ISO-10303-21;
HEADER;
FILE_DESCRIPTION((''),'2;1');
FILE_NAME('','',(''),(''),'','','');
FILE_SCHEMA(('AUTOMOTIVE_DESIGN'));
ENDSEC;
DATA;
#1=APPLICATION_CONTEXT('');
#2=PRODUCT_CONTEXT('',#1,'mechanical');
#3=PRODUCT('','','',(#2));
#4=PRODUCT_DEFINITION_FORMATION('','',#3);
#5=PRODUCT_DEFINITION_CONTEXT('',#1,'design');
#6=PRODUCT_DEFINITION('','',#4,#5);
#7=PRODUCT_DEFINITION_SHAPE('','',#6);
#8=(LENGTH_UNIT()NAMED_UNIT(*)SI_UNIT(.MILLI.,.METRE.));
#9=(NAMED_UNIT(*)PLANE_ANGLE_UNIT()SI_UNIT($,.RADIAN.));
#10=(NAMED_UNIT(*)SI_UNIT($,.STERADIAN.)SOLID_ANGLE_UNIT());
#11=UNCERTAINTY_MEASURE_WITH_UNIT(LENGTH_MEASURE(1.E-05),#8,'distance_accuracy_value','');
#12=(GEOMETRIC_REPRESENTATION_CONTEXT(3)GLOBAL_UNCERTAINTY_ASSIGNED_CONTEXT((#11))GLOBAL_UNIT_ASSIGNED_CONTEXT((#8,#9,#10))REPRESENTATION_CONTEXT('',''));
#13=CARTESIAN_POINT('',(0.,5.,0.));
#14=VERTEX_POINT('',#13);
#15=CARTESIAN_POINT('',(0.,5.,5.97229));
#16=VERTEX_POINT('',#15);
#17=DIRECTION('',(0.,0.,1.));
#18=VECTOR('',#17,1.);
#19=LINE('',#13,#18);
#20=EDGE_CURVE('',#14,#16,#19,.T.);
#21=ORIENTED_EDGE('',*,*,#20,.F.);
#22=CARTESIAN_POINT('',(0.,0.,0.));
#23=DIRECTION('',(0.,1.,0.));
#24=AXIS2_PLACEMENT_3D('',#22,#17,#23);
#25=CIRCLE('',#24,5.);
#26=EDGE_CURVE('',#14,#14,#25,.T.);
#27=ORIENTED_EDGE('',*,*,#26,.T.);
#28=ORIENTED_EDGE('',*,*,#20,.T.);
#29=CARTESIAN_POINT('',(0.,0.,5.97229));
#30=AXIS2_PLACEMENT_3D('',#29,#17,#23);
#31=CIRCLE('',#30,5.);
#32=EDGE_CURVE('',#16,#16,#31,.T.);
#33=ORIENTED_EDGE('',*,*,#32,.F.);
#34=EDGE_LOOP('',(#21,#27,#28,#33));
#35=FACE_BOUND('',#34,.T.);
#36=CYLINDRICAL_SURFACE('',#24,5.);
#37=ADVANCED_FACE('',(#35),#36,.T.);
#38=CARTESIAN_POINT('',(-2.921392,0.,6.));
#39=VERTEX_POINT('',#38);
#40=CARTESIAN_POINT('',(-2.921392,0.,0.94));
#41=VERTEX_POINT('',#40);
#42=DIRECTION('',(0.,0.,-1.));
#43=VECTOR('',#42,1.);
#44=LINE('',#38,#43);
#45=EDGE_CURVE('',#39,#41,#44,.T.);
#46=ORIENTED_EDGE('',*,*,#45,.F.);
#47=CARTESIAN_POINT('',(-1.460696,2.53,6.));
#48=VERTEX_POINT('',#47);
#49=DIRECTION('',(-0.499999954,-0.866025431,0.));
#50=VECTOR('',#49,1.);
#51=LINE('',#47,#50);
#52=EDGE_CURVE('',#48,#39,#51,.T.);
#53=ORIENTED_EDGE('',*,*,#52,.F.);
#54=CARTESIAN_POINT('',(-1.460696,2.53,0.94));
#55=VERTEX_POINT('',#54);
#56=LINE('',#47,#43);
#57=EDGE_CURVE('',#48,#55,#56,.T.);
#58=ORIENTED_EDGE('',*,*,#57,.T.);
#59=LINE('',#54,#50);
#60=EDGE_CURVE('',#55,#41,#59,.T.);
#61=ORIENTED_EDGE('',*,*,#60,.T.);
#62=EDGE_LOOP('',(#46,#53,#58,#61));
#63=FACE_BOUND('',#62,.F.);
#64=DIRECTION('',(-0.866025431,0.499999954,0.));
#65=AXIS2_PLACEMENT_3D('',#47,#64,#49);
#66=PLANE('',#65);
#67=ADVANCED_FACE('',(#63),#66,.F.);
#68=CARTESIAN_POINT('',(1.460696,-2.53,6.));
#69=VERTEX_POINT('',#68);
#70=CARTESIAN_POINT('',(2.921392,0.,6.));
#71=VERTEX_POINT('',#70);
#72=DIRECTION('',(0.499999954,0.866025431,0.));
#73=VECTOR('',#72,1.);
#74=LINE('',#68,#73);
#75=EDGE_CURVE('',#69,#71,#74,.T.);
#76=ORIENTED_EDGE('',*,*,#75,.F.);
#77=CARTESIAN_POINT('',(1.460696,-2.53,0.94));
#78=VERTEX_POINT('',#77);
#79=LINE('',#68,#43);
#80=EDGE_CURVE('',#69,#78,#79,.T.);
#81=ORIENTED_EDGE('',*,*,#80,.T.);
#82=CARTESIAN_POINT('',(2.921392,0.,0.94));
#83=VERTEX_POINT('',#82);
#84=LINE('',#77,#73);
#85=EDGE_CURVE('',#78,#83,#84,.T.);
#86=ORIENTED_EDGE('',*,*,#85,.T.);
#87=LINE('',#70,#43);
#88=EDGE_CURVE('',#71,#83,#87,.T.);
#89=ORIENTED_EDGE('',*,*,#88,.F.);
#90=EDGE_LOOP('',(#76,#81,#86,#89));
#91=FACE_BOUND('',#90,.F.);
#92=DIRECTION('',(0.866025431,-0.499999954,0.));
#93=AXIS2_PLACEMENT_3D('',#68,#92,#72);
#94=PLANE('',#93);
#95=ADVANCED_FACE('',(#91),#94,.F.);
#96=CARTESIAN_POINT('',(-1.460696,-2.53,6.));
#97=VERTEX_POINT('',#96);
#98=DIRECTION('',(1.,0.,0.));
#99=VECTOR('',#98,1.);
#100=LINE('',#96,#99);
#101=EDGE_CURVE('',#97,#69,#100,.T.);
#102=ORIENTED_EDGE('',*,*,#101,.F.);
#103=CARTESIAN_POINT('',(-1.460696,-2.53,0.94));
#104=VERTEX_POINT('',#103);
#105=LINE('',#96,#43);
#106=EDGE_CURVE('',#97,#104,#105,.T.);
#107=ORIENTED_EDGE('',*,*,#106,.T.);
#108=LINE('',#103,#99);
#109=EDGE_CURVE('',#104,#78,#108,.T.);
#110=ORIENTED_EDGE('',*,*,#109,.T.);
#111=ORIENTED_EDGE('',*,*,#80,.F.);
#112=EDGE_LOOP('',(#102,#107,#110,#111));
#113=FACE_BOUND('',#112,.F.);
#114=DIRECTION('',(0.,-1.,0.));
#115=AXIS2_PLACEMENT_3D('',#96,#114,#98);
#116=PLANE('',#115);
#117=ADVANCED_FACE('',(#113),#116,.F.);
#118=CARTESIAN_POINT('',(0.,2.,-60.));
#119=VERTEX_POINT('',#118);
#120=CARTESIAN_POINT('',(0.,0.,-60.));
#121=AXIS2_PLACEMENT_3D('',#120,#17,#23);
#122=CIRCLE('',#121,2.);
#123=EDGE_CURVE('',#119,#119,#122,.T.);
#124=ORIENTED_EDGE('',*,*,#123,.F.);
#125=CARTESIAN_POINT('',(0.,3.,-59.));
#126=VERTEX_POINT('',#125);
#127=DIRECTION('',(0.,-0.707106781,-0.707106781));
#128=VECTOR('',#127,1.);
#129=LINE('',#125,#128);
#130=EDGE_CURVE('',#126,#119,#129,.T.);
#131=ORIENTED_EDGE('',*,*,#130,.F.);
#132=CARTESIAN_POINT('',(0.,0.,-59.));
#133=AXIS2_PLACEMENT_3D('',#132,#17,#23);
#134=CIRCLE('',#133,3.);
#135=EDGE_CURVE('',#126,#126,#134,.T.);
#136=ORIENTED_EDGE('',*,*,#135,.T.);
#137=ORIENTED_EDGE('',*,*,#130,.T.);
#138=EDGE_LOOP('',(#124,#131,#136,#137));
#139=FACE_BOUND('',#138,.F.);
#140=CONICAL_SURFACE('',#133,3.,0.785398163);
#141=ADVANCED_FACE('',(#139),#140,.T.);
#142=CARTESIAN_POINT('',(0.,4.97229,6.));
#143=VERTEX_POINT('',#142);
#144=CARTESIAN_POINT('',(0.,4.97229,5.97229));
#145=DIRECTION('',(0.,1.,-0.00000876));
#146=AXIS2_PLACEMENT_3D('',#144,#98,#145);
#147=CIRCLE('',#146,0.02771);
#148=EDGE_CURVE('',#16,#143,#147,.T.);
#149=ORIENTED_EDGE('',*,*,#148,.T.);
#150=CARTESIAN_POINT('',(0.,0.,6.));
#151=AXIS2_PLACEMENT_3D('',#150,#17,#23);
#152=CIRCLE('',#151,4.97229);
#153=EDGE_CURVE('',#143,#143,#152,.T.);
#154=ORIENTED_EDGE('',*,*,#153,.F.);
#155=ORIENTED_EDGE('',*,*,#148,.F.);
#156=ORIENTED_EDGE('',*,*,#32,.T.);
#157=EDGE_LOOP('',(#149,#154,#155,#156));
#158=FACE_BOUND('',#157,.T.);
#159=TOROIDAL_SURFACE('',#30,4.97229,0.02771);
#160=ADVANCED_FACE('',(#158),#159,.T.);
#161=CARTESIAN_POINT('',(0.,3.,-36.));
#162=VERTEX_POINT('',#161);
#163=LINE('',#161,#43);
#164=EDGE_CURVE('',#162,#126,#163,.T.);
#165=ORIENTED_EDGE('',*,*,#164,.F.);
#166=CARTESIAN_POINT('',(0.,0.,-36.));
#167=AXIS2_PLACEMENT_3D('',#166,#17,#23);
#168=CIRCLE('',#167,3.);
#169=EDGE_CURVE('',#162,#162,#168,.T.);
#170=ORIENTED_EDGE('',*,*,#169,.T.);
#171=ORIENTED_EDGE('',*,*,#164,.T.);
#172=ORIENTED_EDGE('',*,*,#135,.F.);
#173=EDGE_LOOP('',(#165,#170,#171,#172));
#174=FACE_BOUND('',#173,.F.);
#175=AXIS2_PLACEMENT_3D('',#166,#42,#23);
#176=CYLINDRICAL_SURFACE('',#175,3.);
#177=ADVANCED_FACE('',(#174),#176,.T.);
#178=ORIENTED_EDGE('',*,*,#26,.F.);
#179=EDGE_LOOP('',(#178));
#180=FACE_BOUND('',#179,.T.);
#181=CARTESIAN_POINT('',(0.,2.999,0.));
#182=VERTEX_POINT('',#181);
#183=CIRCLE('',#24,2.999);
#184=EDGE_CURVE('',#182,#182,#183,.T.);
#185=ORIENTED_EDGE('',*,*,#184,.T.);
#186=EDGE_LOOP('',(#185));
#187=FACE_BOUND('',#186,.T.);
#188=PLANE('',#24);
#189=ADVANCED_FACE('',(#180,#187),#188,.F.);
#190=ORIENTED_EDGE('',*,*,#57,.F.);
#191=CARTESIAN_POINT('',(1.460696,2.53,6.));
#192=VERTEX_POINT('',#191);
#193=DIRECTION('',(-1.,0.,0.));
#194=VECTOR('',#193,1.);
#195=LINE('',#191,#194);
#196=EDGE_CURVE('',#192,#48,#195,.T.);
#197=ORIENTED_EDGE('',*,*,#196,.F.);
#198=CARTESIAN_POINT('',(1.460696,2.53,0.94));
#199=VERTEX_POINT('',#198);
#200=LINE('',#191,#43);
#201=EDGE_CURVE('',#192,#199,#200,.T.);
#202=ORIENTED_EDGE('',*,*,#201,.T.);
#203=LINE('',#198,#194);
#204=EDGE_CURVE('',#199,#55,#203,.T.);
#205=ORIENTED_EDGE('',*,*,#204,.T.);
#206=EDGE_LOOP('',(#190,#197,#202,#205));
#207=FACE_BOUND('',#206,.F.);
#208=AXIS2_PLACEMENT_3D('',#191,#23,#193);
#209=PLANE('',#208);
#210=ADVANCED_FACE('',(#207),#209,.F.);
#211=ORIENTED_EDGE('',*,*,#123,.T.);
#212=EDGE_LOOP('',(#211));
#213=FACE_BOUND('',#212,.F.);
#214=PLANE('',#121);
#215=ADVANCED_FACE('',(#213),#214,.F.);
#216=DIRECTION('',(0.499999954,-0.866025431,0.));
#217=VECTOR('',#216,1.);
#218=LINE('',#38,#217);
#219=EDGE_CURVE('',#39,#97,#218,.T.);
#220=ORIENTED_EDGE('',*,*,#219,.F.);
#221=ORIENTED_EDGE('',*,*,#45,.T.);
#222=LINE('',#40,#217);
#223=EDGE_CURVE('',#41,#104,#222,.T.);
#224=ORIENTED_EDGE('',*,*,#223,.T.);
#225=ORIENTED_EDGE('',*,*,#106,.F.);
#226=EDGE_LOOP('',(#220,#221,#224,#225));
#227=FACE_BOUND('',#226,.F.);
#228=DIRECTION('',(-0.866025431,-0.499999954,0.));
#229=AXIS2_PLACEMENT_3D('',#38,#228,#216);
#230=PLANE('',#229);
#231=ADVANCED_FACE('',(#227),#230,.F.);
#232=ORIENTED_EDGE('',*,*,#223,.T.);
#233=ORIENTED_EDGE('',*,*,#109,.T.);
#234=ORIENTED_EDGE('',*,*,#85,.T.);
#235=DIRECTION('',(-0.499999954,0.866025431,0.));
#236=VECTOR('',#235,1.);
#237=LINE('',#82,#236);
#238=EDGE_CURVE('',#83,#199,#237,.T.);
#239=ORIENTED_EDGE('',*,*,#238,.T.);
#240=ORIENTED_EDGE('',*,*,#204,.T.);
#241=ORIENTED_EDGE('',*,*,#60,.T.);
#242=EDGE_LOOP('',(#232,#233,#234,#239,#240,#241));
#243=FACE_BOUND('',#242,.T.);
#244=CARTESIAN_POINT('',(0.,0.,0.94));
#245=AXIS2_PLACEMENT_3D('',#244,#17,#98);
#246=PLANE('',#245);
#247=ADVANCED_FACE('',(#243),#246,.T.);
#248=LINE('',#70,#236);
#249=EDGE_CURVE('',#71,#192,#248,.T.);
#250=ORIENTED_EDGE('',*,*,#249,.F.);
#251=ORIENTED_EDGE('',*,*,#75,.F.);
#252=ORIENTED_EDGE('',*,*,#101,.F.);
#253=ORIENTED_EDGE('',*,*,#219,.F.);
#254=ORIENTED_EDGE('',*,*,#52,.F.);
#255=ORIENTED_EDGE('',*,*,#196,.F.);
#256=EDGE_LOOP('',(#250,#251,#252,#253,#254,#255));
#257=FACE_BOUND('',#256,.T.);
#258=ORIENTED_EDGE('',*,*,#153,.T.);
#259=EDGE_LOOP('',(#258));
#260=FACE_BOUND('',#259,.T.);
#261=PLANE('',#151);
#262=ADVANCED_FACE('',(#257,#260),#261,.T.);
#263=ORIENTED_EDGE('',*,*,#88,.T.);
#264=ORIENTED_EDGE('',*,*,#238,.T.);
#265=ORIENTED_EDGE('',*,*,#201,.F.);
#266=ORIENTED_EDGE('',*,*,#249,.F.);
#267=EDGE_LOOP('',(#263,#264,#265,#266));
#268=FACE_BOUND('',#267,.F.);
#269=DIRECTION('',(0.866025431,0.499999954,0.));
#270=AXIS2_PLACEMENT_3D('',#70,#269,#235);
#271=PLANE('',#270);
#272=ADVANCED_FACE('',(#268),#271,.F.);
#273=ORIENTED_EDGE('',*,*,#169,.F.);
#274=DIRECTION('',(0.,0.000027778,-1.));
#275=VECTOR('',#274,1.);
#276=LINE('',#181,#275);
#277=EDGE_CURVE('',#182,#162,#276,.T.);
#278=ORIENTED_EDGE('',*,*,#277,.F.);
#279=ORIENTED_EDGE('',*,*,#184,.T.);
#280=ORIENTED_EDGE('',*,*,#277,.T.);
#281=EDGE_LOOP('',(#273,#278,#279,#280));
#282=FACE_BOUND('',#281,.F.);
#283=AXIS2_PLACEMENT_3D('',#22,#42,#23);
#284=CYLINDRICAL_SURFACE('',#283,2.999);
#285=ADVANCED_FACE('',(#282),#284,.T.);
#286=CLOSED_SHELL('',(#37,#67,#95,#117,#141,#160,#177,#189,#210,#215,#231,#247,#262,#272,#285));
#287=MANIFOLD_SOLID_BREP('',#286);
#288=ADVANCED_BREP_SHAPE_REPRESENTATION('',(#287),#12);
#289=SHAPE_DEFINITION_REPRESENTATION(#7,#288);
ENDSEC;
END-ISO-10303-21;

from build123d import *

# Parameters (mm, degrees)
POCKET_DEPTH = 5.06


with BuildPart() as part:
    # Sketch → Revolve (revolve)
    with BuildSketch(Plane.YZ):
        with BuildLine():
            Line((2.999, 0), (5, 0))
            Line((5, 0), (5, 5.97229))
            ThreePointArc((5, 5.97229), (4.991884, 5.991884), (4.97229, 6))
            Line((4.97229, 6), (0, 6))
            Line((0, -60), (0, 6))
            Line((2, -60), (0, -60))
            Line((3, -59), (2, -60))
            Line((3, -36), (3, -59))
            Line((2.999, 0), (3, -36))
        make_face()
    revolve(axis=Axis((0, 0, 0), (0, 0, 1)))

    # Sketch001 → Pocket (cut)
    with BuildSketch(Plane.XY.offset(6)):
        Polygon((2.921392, 0), (1.460696, 2.53), (-1.460696, 2.53), (-2.921392, 0), (-1.460696, -2.53), (1.460696, -2.53), align=None)
    extrude(amount=-POCKET_DEPTH, mode=Mode.SUBTRACT)


solid = part.part
